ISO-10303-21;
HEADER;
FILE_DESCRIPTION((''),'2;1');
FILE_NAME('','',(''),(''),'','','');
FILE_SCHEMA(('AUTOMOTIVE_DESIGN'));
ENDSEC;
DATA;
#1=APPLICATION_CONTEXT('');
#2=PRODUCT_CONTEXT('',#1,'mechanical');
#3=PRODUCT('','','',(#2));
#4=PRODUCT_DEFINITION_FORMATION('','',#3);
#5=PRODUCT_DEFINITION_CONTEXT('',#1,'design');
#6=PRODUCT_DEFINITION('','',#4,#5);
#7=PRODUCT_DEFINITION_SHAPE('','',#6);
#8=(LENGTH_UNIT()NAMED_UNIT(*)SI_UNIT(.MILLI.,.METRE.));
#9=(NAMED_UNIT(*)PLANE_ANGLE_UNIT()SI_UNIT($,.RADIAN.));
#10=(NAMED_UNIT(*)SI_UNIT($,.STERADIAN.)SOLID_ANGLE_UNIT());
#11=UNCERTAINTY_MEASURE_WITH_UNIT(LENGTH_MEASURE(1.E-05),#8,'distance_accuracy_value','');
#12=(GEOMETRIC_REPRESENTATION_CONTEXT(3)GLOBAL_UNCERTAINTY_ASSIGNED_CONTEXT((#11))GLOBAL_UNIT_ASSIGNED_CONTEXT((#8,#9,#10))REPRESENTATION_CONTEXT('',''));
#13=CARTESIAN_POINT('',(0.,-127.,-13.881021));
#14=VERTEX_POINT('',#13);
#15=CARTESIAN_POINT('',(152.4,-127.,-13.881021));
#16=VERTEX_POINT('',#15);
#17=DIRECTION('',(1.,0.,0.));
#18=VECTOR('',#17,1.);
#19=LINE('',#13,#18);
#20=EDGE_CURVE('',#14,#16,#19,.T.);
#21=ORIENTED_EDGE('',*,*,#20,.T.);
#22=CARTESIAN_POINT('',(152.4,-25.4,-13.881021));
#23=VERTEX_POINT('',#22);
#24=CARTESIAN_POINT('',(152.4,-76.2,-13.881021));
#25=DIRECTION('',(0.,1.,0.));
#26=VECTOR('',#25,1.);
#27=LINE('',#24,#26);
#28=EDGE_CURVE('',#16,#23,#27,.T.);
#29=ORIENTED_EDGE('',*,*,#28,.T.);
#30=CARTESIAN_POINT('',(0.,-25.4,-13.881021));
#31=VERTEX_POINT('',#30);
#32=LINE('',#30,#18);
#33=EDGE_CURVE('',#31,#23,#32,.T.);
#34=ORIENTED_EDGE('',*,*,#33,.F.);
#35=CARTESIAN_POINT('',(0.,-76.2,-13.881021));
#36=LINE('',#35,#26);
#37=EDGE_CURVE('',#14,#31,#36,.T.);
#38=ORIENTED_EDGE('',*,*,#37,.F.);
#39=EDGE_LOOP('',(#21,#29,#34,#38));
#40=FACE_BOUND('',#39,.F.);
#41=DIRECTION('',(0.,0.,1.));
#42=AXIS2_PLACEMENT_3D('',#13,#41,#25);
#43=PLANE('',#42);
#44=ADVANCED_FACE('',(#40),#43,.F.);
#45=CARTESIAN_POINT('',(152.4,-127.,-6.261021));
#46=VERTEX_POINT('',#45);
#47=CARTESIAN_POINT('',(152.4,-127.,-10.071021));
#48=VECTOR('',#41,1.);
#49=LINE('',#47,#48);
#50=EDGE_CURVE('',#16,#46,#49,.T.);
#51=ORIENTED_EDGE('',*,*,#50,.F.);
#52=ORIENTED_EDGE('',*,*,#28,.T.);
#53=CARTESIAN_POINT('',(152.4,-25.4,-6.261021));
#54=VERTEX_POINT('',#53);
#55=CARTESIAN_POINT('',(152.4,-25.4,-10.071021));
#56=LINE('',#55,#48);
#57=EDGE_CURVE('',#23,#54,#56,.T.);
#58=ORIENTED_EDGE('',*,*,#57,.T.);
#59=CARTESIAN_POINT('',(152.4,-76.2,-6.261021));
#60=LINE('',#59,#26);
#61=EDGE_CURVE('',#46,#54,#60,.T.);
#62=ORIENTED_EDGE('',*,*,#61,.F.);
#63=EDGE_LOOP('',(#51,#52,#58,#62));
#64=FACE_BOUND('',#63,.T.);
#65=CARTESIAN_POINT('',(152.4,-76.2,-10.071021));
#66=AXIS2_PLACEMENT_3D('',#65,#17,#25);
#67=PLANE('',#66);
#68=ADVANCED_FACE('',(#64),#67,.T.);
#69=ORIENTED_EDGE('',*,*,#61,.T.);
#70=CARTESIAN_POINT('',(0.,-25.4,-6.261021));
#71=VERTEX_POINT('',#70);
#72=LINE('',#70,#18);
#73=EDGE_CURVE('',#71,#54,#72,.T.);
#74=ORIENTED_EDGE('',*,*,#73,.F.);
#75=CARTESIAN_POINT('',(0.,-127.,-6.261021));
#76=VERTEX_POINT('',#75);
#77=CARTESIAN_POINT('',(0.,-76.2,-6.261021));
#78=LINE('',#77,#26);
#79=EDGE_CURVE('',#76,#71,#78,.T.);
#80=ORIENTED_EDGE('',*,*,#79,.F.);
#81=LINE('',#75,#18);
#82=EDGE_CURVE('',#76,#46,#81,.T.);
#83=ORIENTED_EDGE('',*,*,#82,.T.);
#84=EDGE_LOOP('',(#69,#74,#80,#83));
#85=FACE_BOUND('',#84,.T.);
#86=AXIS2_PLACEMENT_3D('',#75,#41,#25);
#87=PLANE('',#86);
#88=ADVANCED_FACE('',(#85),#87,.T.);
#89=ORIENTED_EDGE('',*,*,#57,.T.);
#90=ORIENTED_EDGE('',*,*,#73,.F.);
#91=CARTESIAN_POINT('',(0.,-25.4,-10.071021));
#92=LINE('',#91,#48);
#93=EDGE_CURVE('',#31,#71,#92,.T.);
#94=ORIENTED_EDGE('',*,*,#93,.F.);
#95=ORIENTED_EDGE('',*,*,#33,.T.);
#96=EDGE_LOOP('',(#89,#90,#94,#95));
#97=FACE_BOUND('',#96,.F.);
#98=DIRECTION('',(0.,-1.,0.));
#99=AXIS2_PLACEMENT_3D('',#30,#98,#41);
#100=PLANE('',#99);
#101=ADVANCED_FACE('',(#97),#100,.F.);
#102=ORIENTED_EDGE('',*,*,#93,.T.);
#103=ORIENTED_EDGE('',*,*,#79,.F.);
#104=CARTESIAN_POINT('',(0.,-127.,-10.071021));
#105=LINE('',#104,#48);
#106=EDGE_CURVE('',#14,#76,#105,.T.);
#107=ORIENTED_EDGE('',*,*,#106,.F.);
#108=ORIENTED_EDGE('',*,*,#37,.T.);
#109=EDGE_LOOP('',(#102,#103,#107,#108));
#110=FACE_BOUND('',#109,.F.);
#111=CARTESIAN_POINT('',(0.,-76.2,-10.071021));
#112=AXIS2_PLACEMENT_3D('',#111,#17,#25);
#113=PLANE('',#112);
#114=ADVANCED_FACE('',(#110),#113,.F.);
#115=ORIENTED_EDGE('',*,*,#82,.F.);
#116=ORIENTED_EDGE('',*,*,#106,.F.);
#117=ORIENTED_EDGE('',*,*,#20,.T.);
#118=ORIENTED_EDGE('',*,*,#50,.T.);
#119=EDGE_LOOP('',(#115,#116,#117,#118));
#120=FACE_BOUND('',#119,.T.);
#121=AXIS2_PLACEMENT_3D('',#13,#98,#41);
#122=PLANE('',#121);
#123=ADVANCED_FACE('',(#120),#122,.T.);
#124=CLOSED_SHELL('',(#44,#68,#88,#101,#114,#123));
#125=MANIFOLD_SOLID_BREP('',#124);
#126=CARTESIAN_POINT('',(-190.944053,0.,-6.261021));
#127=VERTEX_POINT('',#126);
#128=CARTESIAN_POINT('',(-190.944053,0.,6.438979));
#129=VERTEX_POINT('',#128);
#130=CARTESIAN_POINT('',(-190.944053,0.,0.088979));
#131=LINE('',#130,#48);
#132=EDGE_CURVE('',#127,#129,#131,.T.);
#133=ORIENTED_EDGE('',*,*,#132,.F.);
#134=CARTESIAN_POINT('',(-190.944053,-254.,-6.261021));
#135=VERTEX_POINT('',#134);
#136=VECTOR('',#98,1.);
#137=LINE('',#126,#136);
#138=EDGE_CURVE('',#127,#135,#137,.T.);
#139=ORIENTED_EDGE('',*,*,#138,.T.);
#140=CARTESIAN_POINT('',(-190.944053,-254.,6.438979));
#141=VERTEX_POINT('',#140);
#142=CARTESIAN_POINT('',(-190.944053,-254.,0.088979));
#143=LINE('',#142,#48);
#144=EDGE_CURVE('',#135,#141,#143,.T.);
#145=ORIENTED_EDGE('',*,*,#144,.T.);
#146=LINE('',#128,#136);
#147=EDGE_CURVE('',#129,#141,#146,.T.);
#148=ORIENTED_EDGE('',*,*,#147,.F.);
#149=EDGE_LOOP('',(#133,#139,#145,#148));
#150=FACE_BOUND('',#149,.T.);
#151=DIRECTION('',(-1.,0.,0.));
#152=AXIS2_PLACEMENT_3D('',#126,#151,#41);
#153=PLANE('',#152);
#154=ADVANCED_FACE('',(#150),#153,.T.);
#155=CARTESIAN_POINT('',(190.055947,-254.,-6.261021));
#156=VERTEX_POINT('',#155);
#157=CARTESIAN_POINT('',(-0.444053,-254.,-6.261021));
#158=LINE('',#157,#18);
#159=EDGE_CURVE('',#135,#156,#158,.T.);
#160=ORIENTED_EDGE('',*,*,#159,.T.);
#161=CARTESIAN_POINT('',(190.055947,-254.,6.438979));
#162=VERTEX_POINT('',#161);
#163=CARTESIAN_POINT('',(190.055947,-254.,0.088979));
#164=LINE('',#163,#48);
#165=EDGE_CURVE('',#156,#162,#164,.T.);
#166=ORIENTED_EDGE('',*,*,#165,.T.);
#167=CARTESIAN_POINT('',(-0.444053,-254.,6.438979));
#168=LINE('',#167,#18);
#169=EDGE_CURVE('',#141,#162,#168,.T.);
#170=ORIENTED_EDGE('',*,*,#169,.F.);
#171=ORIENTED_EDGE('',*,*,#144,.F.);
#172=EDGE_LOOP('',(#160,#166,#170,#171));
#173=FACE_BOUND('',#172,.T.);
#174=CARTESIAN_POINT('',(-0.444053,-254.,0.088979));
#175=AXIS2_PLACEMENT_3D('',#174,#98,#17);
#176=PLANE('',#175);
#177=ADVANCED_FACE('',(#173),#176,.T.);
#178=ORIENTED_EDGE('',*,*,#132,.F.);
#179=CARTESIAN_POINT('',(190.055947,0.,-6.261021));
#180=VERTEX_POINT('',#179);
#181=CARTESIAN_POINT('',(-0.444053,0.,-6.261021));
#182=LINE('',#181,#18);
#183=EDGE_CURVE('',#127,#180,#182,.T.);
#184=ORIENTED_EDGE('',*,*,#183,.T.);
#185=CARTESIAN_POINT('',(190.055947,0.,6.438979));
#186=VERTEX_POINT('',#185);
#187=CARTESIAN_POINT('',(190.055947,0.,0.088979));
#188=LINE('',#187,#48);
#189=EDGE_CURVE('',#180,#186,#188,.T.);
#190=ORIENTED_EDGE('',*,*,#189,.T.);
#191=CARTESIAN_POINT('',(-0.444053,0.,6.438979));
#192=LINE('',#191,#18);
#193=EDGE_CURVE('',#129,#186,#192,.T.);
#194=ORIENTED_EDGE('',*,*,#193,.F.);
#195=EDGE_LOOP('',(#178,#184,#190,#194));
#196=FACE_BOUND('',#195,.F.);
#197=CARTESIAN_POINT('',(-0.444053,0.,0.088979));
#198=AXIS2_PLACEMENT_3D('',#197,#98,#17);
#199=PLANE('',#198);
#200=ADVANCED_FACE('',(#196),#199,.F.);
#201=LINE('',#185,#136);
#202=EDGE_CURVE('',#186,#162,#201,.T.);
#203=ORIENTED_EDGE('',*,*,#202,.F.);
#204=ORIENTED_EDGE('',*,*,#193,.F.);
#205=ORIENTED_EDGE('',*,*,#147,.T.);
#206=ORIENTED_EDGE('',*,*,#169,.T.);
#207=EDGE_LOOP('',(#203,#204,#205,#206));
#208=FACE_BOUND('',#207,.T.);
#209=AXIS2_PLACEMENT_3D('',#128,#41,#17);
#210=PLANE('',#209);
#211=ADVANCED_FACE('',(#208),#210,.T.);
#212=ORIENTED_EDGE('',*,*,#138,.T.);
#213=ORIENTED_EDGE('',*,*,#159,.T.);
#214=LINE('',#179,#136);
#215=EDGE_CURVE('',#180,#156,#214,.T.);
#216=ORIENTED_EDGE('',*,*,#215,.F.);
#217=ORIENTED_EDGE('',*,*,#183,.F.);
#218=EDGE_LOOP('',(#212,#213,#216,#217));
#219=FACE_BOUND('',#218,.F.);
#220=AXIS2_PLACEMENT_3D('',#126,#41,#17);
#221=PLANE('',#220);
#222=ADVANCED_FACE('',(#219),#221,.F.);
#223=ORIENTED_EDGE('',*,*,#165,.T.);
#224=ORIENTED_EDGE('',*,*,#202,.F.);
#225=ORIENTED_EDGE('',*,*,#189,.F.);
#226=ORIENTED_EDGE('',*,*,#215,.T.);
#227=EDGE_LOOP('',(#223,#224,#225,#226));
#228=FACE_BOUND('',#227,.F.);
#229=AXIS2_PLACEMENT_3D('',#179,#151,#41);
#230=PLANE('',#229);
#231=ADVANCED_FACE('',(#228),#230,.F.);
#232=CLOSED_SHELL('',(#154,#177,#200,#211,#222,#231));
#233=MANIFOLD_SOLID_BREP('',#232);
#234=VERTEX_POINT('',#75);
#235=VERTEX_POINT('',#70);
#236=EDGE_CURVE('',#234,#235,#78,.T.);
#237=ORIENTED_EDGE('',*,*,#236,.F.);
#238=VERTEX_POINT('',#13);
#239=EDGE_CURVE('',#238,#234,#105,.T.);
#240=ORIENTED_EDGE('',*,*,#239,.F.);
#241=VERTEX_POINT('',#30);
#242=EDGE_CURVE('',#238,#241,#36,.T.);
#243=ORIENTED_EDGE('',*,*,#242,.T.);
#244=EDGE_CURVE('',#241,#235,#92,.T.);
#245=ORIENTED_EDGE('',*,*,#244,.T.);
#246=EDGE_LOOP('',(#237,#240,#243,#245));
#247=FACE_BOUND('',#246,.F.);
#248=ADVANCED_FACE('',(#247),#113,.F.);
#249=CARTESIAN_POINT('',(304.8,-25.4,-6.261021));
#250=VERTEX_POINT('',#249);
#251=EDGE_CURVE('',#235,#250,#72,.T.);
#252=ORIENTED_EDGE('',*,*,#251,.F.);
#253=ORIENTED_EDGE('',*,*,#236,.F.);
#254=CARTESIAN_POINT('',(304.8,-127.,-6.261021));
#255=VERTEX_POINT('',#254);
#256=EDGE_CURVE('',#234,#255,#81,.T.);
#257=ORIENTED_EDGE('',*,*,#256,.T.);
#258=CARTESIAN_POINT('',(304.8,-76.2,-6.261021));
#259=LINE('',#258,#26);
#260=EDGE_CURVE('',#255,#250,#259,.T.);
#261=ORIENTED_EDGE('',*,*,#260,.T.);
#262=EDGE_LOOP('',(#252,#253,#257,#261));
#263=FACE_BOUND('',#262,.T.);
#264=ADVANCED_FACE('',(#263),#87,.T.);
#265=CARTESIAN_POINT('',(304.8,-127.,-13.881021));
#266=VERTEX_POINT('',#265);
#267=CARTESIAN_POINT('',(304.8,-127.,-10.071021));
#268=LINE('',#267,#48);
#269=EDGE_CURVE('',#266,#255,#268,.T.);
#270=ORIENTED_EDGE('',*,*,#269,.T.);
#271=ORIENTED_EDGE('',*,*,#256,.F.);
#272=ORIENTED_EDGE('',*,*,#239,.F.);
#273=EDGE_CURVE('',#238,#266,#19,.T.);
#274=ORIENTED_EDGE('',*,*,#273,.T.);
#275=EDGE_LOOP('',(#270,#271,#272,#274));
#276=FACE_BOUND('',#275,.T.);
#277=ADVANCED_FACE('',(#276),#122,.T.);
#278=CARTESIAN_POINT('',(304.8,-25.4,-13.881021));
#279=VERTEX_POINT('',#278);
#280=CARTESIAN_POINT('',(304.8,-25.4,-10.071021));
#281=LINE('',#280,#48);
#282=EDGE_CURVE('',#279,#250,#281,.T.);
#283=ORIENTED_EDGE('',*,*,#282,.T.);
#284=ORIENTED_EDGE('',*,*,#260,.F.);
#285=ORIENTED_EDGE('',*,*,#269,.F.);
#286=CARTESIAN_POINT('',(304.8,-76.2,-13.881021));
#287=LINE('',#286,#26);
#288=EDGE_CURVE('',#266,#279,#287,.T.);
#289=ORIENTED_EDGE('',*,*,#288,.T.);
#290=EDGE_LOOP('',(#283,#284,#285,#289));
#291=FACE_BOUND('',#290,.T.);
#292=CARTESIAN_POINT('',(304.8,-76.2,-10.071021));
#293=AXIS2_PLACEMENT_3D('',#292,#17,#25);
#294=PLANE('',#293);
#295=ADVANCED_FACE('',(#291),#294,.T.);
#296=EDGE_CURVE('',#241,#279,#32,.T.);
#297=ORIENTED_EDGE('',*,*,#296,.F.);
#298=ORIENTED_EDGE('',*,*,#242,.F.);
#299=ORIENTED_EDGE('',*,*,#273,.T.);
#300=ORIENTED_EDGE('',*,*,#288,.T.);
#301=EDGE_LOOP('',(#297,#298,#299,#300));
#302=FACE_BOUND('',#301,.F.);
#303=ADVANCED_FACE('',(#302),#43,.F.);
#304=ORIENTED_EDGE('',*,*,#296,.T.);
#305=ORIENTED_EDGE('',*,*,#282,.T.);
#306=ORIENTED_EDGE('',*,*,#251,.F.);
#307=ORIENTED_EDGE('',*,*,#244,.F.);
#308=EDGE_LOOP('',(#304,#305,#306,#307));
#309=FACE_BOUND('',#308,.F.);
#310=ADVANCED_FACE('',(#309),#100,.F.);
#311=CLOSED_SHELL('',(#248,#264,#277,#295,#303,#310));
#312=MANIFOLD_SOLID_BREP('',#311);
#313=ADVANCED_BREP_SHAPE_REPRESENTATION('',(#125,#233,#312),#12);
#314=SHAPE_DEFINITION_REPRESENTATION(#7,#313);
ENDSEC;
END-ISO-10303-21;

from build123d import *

# Parameters (mm, degrees)
F0_W     = 381
F0_H     = 12.7
F1_DEPTH = 254
F2_W     = 101.6
F2_H     = 7.62
F3_DEPTH = 152.4
F4_DEPTH = 304.8


with BuildPart() as f1:
    # F0 (on Front) → F1 (new body)
    with BuildSketch(Plane.XZ):
        with Locations((-0.444053, 0.088979)):
            Rectangle(F0_W, F0_H)
    extrude(amount=F1_DEPTH)


with BuildPart() as f3:
    # F2 (on Right) → F3 (new body)
    with BuildSketch(Plane.YZ):
        with Locations((-76.2, -10.071021)):
            Rectangle(F2_W, F2_H)
    extrude(amount=F3_DEPTH)


with BuildPart() as f4:
    # F2 (on Right) → F4 (new body)
    with BuildSketch(Plane.YZ):
        with Locations((-76.2, -10.071021)):
            Rectangle(F2_W, F2_H)
    extrude(amount=F4_DEPTH)


solid = Compound([f1.part, f3.part, f4.part])
